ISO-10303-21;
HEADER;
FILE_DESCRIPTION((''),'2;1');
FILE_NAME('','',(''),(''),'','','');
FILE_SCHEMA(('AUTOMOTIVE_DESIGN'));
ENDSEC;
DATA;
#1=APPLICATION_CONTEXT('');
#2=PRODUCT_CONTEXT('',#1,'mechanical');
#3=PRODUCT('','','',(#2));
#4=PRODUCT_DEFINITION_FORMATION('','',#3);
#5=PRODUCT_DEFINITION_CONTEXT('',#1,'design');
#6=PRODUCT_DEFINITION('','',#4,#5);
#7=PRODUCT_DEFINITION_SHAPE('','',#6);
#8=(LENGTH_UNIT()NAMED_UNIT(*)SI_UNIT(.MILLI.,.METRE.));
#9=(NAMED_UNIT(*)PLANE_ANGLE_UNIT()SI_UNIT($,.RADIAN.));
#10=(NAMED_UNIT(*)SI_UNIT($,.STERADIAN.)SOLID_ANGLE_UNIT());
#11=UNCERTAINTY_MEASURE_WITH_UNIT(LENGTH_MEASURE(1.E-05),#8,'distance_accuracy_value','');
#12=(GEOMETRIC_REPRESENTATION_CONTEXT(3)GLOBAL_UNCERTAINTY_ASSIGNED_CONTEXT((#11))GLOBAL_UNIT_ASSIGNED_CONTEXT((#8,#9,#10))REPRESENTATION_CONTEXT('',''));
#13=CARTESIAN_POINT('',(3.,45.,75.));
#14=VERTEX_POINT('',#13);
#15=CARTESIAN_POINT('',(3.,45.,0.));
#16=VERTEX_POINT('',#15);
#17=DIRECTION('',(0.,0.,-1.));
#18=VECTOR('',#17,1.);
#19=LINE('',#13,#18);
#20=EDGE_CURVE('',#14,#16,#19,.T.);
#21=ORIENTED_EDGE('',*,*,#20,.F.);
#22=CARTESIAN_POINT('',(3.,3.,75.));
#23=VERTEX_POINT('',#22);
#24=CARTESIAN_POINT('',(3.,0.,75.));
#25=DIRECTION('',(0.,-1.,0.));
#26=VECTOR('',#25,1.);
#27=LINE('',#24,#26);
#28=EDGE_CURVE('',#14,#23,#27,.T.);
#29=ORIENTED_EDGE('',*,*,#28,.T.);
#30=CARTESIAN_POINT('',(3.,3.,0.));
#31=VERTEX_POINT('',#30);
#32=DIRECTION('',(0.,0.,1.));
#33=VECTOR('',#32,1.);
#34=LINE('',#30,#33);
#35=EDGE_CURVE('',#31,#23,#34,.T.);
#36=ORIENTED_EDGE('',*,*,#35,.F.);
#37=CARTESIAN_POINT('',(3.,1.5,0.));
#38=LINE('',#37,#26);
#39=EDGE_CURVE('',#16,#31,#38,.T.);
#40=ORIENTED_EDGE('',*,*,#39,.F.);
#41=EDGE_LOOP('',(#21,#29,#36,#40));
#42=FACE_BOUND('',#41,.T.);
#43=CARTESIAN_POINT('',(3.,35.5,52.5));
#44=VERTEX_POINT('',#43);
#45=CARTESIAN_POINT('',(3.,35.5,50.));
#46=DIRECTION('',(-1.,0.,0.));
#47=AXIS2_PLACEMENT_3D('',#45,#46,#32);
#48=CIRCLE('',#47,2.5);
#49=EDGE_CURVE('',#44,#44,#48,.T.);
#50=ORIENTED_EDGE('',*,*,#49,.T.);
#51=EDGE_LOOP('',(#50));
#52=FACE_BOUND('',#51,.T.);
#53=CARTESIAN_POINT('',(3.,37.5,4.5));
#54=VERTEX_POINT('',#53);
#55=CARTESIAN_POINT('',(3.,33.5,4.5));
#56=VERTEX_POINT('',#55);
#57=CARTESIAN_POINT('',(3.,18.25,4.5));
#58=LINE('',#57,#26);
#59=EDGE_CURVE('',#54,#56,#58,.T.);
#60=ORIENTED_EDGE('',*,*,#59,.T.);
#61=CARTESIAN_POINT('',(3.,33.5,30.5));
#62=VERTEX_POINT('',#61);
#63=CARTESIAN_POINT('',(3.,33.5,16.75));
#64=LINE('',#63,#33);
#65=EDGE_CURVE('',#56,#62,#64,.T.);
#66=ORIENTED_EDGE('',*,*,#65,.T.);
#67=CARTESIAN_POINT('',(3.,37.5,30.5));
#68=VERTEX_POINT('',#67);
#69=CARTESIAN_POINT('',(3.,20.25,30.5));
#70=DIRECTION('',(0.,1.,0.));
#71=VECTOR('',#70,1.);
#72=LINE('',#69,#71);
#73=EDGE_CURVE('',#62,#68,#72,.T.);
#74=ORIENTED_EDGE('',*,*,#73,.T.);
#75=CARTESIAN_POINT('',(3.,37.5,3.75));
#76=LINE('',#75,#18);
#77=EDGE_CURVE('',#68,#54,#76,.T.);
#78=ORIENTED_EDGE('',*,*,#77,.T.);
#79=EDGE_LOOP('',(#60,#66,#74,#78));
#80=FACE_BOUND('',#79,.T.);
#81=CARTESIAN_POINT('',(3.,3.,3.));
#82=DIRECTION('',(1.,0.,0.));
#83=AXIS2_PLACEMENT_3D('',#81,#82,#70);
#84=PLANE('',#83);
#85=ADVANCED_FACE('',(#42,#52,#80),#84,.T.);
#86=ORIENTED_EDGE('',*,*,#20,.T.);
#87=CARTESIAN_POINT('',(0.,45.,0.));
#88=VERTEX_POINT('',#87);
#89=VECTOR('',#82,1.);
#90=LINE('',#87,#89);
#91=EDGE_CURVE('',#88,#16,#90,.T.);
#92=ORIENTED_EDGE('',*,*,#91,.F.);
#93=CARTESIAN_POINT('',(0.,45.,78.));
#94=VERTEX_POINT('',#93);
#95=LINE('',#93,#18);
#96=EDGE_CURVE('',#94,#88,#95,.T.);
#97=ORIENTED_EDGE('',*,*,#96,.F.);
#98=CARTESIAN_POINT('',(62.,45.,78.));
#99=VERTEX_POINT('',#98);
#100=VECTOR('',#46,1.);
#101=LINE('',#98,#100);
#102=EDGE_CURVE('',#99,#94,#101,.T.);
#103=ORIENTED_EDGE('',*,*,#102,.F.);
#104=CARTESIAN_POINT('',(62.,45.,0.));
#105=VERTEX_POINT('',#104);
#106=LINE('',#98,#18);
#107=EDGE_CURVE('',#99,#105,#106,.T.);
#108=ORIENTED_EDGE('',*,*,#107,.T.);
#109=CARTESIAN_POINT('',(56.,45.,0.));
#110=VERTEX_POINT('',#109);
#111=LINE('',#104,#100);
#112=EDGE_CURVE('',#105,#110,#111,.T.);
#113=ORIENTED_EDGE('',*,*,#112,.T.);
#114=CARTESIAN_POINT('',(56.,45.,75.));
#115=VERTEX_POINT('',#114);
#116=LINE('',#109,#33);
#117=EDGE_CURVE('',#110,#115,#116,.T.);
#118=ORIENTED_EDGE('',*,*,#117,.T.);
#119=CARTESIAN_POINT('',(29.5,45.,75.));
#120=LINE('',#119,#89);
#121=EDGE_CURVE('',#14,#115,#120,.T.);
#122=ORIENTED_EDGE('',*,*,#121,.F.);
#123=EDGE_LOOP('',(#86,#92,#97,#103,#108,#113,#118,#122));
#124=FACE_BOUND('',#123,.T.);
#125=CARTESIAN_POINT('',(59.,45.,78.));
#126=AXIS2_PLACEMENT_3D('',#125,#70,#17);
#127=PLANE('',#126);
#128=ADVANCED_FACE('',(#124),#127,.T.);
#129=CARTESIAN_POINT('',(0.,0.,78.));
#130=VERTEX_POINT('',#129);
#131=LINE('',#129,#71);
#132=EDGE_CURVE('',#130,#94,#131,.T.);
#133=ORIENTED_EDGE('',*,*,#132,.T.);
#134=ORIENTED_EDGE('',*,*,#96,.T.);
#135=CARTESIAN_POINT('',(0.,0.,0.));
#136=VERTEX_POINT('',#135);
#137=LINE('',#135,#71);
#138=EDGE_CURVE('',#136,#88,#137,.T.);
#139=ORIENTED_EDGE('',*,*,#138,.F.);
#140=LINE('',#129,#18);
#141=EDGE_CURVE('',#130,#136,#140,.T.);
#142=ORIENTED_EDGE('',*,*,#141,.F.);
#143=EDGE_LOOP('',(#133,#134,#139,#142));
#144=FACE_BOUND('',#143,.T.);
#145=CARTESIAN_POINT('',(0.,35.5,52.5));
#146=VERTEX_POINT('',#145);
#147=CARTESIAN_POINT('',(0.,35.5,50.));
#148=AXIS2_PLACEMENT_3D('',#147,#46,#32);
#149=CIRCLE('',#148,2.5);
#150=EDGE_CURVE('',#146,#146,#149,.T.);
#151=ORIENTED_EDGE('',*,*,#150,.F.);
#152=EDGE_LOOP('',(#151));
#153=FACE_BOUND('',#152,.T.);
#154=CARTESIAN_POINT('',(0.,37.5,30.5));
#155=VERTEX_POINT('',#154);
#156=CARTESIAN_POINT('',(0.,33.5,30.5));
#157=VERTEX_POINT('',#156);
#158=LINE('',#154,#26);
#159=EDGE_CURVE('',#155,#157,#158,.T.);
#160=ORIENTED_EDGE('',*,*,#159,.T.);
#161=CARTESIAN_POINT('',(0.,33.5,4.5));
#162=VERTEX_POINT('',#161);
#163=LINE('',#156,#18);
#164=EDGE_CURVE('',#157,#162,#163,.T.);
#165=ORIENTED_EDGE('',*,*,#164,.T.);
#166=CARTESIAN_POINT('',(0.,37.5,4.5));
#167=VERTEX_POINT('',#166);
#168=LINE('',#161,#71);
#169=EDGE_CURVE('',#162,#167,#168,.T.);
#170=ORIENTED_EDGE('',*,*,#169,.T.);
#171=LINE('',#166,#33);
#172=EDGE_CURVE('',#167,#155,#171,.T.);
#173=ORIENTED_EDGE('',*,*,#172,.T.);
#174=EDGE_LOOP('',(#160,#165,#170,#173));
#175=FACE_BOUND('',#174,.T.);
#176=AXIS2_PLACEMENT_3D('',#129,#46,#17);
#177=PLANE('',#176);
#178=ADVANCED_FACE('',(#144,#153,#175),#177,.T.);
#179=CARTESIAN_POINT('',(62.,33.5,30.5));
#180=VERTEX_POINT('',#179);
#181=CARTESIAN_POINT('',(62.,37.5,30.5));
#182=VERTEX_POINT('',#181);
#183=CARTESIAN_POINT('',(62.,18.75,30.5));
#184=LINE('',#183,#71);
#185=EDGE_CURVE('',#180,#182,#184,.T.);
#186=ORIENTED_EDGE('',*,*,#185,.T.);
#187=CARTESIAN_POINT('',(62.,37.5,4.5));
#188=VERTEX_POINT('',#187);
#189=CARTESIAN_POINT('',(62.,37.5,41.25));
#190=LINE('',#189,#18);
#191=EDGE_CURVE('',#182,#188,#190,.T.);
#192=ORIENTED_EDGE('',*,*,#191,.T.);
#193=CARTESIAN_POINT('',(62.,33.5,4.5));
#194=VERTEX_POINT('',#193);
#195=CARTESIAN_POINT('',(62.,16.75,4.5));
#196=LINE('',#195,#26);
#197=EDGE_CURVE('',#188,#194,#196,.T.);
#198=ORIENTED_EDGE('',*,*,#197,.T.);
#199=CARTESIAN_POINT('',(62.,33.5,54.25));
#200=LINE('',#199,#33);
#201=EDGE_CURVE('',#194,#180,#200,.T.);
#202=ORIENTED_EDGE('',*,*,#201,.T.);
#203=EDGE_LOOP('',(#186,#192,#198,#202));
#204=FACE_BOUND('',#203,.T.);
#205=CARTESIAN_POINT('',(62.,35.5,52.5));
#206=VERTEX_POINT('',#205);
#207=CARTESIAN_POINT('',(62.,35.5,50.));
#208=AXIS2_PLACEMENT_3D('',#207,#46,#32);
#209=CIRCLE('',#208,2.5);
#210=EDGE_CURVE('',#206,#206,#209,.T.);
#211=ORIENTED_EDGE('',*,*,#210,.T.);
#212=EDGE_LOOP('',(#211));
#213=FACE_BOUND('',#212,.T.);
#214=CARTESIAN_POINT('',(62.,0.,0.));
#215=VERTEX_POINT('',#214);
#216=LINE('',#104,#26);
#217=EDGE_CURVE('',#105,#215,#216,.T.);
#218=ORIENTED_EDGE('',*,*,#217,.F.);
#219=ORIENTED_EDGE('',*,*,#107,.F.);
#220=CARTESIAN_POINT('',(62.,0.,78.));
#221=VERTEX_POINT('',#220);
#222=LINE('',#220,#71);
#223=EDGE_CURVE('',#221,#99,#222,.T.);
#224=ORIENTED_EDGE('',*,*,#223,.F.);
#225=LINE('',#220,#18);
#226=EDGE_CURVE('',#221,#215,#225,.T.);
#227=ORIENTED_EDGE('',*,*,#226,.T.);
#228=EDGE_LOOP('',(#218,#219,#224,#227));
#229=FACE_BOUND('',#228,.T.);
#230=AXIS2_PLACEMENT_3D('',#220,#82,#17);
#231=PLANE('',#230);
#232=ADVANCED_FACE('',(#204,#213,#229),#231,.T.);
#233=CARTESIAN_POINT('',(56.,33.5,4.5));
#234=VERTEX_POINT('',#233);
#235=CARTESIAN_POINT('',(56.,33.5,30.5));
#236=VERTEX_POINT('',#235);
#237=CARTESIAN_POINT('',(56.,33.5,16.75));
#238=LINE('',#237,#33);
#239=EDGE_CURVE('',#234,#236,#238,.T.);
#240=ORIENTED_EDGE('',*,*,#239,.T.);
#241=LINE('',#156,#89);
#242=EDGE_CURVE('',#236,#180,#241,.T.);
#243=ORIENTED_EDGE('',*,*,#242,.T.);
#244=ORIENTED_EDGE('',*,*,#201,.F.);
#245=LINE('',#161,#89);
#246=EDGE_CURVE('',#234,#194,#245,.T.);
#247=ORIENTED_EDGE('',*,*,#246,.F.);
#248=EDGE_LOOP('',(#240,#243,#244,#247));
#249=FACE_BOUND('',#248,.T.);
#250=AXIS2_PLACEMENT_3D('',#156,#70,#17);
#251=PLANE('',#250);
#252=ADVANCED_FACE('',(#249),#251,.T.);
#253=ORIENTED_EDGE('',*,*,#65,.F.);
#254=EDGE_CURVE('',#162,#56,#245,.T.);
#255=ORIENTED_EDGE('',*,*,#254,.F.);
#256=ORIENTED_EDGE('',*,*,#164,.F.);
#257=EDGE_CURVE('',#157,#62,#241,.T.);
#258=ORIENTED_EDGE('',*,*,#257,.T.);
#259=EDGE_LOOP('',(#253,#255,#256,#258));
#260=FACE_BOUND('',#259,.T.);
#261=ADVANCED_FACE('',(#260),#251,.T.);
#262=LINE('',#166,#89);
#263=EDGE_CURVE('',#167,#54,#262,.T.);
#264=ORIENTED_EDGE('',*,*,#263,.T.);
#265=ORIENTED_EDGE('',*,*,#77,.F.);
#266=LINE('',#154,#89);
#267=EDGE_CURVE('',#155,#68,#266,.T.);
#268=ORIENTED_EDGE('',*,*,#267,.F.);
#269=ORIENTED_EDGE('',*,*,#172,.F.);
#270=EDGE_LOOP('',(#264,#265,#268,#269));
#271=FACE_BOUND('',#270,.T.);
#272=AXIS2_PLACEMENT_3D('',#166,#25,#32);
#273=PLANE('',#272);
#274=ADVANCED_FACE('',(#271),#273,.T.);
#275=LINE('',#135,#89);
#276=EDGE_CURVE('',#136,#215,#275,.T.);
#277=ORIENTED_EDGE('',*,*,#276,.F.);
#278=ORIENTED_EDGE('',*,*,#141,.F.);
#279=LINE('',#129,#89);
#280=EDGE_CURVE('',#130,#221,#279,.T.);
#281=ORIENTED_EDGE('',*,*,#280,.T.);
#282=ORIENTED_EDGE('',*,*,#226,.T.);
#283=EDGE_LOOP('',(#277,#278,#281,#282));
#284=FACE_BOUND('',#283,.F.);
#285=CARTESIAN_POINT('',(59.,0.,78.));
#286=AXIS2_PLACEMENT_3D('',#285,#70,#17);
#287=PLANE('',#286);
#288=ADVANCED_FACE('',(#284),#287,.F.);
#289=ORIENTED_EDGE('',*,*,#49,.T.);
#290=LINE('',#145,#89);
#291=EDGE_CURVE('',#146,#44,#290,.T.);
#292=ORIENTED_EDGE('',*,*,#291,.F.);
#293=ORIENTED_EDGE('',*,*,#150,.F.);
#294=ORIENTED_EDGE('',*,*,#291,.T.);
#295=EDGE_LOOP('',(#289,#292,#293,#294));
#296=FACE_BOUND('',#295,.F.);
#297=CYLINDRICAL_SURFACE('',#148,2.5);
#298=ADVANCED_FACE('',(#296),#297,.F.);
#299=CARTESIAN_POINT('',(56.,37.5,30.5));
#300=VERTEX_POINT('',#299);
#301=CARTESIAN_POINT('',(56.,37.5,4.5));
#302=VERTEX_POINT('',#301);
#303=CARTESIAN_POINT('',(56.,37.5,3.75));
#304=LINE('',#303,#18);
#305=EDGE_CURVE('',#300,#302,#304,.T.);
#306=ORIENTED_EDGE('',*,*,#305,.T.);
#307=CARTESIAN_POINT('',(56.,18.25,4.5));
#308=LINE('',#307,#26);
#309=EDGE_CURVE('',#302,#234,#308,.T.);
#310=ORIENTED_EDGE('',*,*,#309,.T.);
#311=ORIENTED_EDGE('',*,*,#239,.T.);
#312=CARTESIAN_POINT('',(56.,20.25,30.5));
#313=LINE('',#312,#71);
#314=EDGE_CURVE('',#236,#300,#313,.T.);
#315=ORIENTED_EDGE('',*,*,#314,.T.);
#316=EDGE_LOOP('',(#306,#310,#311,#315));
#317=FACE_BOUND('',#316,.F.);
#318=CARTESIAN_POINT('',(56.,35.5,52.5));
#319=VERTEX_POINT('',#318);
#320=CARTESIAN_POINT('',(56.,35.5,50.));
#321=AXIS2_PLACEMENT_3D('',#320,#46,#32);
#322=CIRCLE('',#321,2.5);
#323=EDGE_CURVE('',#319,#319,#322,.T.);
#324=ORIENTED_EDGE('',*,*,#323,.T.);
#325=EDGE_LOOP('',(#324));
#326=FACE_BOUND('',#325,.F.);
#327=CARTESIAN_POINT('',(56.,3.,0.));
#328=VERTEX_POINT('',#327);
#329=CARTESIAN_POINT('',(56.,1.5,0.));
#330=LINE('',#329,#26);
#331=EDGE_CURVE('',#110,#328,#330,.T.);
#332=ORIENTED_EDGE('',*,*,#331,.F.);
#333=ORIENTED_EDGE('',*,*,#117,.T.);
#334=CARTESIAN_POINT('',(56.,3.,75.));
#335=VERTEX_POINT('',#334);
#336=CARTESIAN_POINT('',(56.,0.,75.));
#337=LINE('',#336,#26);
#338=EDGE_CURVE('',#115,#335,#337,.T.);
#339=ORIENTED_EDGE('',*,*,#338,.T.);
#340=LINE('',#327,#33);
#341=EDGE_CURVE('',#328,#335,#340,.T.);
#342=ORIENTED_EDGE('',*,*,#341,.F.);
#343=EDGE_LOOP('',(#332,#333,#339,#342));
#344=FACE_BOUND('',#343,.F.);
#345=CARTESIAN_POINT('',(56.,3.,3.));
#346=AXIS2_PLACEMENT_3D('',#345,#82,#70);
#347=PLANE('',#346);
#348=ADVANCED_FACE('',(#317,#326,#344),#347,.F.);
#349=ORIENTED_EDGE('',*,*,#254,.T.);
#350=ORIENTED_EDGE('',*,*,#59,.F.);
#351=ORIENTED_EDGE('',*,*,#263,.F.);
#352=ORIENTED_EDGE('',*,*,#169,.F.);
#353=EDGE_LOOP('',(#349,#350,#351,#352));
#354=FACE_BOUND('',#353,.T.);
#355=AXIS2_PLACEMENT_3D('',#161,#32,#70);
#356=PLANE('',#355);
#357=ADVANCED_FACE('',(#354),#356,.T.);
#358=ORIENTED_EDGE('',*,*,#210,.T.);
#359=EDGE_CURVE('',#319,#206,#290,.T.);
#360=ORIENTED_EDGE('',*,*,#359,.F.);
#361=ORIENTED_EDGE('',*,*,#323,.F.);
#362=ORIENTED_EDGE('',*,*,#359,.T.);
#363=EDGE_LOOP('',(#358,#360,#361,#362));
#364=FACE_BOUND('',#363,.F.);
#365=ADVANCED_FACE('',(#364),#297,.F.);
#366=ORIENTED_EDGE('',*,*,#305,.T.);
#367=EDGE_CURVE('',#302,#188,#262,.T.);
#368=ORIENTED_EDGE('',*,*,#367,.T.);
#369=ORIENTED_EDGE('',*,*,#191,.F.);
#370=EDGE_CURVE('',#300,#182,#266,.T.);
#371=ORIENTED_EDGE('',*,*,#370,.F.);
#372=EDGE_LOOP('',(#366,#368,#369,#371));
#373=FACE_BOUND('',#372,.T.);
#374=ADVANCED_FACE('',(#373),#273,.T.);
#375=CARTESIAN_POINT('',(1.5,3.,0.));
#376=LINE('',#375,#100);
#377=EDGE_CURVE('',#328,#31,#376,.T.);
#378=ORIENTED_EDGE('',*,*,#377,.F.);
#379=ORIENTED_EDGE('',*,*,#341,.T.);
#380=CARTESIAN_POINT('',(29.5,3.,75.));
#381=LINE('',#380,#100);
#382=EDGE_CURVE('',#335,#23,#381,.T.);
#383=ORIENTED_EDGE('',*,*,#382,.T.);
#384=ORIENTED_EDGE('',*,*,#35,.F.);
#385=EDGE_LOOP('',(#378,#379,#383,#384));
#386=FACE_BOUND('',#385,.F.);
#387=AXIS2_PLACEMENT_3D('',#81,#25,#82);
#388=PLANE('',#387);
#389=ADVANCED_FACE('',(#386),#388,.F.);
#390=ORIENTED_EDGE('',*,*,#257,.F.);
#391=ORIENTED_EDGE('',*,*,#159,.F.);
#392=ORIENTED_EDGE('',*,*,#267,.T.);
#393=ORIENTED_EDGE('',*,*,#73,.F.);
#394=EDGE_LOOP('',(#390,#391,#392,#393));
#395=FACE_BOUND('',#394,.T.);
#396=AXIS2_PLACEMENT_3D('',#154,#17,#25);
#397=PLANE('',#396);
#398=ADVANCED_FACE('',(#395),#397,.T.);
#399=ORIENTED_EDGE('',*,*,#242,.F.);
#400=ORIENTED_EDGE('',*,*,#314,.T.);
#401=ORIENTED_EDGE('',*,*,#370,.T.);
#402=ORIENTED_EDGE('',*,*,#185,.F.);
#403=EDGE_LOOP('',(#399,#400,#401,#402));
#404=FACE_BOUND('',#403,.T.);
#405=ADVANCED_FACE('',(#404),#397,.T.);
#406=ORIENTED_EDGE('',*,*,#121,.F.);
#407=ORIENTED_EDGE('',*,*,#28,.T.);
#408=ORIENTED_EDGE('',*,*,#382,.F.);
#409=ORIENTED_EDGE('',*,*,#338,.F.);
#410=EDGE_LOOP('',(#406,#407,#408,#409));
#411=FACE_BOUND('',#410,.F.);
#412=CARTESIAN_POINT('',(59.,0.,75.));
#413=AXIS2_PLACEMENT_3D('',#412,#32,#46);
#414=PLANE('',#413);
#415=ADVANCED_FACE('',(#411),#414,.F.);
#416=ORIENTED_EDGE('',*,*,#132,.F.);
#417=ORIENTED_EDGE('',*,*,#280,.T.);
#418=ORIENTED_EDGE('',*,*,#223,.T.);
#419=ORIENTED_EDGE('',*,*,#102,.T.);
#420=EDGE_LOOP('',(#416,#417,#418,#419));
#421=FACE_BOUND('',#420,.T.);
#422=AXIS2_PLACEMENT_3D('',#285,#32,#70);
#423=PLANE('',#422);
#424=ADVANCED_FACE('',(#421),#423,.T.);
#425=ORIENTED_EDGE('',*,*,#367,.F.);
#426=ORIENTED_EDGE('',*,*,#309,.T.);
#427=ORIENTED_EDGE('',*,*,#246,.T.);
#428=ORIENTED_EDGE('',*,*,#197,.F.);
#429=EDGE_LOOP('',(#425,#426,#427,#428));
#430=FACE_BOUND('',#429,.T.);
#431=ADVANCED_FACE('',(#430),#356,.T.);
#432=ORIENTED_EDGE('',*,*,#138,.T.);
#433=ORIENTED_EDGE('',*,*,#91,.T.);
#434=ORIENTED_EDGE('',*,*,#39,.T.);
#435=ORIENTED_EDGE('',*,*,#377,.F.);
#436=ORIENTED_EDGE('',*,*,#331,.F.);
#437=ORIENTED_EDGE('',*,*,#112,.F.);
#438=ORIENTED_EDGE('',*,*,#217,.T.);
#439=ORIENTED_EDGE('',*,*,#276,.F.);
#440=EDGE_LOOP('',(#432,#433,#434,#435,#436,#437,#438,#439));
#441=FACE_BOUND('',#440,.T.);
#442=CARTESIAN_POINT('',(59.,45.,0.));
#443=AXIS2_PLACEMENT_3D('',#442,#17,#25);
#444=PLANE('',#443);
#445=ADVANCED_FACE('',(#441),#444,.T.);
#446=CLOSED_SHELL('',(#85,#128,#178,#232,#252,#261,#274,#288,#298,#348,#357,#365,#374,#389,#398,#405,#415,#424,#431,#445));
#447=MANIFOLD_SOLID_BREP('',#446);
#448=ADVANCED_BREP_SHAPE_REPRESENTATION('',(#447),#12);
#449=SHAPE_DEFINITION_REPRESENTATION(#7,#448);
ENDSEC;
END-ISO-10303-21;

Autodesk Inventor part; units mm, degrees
ref_plane "YZ Plane" through (0, 0, 0) normal (1, 0, 0) x (0, 1, 0)
ref_plane "XZ Plane" through (0, 0, 0) normal (0, 1, 0) x (-1, 0, 0)
ref_plane "XY Plane" through (0, 0, 0) normal (0, 0, 1) x (1, 0, 0)
sketch "Sketch2" plane through (0, 0, 0) normal (0, 1, 0) x (-1, 0, 0)
  line L0 (0, 0) -> (-59, 0)
  line L1 (-59, 0) -> (-59, 78)
  line L2 (-59, 78) -> (0, 78)
  line L3 (0, 78) -> (0, 0)
  dimension "d0" = 59
  dimension "d1" = 78
extrude "Extrusion1" add sketch "Sketch2" along normal blind 45
shell "Shell1" thickness 3 removed faces 1 at (39.3333, 45, 52)
sketch "Sketch4" plane through (59, 0, 0) normal (0, 0, -1) x (-1, 0, 0)
  point P0 (59, 0)
sketch "Sketch5" plane through (3, 3, 3) normal (0, 0, 1) x (1, 0, 0)
  line L0 (0, 0) -> (0, 42) projected
  line L1 (0, 42) -> (53, 42) projected
  line L2 (0, 0) -> (53, 0)
  line L3 (53, 0) -> (53, 42)
  line L4 (53, 42) -> (0, 42)
  line L5 (0, 42) -> (0, 0)
  point P0 (-3, -3)
extrude "Extrusion3" cut sketch "Sketch5" against normal blind 10
sketch "Sketch6" plane through (0, 0, 0) normal (-1, 0, 0) x (0, 0, 1)
  line L0 (4.5, 37.5) -> (30.5, 37.5)
  line L1 (30.5, 37.5) -> (30.5, 33.5)
  line L2 (30.5, 33.5) -> (4.5, 33.5)
  line L3 (4.5, 33.5) -> (4.5, 37.5)
  line L4 (0, 0) -> (0, 45) projected
  line L5 (0, 0) -> (78, 0) projected
  dimension "d19" = 26
  dimension "d20" = 4
  dimension "d21" = 4.5
  dimension "d22" = 33.5
sketch "Sketch7" plane through (59, 0, 78) normal (1, 0, 0) x (0, 0, -1)
  line L0 (0, 0) -> (78, 0) projected
  line L1 (0, 45) -> (78, 45)
  line L2 (78, 45) -> (78, 0)
  line L3 (78, 0) -> (0, 0)
  line L4 (0, 0) -> (0, 45)
extrude "Extrusion5" add sketch "Sketch7" along normal blind 3
extrude "Extrusion6" cut sketch "Sketch6" against normal through all
sketch "Sketch8" plane through (0, 0, 0) normal (-1, 0, 0) x (0, 0, 1)
  circle A0 centre (50, 35.5) radius 2.5
  point P0 (0, 0)
  dimension "d29" = 5
extrude "Extrusion7" cut sketch "Sketch8" against normal through all
properties part number "arduino with shield box v05"
